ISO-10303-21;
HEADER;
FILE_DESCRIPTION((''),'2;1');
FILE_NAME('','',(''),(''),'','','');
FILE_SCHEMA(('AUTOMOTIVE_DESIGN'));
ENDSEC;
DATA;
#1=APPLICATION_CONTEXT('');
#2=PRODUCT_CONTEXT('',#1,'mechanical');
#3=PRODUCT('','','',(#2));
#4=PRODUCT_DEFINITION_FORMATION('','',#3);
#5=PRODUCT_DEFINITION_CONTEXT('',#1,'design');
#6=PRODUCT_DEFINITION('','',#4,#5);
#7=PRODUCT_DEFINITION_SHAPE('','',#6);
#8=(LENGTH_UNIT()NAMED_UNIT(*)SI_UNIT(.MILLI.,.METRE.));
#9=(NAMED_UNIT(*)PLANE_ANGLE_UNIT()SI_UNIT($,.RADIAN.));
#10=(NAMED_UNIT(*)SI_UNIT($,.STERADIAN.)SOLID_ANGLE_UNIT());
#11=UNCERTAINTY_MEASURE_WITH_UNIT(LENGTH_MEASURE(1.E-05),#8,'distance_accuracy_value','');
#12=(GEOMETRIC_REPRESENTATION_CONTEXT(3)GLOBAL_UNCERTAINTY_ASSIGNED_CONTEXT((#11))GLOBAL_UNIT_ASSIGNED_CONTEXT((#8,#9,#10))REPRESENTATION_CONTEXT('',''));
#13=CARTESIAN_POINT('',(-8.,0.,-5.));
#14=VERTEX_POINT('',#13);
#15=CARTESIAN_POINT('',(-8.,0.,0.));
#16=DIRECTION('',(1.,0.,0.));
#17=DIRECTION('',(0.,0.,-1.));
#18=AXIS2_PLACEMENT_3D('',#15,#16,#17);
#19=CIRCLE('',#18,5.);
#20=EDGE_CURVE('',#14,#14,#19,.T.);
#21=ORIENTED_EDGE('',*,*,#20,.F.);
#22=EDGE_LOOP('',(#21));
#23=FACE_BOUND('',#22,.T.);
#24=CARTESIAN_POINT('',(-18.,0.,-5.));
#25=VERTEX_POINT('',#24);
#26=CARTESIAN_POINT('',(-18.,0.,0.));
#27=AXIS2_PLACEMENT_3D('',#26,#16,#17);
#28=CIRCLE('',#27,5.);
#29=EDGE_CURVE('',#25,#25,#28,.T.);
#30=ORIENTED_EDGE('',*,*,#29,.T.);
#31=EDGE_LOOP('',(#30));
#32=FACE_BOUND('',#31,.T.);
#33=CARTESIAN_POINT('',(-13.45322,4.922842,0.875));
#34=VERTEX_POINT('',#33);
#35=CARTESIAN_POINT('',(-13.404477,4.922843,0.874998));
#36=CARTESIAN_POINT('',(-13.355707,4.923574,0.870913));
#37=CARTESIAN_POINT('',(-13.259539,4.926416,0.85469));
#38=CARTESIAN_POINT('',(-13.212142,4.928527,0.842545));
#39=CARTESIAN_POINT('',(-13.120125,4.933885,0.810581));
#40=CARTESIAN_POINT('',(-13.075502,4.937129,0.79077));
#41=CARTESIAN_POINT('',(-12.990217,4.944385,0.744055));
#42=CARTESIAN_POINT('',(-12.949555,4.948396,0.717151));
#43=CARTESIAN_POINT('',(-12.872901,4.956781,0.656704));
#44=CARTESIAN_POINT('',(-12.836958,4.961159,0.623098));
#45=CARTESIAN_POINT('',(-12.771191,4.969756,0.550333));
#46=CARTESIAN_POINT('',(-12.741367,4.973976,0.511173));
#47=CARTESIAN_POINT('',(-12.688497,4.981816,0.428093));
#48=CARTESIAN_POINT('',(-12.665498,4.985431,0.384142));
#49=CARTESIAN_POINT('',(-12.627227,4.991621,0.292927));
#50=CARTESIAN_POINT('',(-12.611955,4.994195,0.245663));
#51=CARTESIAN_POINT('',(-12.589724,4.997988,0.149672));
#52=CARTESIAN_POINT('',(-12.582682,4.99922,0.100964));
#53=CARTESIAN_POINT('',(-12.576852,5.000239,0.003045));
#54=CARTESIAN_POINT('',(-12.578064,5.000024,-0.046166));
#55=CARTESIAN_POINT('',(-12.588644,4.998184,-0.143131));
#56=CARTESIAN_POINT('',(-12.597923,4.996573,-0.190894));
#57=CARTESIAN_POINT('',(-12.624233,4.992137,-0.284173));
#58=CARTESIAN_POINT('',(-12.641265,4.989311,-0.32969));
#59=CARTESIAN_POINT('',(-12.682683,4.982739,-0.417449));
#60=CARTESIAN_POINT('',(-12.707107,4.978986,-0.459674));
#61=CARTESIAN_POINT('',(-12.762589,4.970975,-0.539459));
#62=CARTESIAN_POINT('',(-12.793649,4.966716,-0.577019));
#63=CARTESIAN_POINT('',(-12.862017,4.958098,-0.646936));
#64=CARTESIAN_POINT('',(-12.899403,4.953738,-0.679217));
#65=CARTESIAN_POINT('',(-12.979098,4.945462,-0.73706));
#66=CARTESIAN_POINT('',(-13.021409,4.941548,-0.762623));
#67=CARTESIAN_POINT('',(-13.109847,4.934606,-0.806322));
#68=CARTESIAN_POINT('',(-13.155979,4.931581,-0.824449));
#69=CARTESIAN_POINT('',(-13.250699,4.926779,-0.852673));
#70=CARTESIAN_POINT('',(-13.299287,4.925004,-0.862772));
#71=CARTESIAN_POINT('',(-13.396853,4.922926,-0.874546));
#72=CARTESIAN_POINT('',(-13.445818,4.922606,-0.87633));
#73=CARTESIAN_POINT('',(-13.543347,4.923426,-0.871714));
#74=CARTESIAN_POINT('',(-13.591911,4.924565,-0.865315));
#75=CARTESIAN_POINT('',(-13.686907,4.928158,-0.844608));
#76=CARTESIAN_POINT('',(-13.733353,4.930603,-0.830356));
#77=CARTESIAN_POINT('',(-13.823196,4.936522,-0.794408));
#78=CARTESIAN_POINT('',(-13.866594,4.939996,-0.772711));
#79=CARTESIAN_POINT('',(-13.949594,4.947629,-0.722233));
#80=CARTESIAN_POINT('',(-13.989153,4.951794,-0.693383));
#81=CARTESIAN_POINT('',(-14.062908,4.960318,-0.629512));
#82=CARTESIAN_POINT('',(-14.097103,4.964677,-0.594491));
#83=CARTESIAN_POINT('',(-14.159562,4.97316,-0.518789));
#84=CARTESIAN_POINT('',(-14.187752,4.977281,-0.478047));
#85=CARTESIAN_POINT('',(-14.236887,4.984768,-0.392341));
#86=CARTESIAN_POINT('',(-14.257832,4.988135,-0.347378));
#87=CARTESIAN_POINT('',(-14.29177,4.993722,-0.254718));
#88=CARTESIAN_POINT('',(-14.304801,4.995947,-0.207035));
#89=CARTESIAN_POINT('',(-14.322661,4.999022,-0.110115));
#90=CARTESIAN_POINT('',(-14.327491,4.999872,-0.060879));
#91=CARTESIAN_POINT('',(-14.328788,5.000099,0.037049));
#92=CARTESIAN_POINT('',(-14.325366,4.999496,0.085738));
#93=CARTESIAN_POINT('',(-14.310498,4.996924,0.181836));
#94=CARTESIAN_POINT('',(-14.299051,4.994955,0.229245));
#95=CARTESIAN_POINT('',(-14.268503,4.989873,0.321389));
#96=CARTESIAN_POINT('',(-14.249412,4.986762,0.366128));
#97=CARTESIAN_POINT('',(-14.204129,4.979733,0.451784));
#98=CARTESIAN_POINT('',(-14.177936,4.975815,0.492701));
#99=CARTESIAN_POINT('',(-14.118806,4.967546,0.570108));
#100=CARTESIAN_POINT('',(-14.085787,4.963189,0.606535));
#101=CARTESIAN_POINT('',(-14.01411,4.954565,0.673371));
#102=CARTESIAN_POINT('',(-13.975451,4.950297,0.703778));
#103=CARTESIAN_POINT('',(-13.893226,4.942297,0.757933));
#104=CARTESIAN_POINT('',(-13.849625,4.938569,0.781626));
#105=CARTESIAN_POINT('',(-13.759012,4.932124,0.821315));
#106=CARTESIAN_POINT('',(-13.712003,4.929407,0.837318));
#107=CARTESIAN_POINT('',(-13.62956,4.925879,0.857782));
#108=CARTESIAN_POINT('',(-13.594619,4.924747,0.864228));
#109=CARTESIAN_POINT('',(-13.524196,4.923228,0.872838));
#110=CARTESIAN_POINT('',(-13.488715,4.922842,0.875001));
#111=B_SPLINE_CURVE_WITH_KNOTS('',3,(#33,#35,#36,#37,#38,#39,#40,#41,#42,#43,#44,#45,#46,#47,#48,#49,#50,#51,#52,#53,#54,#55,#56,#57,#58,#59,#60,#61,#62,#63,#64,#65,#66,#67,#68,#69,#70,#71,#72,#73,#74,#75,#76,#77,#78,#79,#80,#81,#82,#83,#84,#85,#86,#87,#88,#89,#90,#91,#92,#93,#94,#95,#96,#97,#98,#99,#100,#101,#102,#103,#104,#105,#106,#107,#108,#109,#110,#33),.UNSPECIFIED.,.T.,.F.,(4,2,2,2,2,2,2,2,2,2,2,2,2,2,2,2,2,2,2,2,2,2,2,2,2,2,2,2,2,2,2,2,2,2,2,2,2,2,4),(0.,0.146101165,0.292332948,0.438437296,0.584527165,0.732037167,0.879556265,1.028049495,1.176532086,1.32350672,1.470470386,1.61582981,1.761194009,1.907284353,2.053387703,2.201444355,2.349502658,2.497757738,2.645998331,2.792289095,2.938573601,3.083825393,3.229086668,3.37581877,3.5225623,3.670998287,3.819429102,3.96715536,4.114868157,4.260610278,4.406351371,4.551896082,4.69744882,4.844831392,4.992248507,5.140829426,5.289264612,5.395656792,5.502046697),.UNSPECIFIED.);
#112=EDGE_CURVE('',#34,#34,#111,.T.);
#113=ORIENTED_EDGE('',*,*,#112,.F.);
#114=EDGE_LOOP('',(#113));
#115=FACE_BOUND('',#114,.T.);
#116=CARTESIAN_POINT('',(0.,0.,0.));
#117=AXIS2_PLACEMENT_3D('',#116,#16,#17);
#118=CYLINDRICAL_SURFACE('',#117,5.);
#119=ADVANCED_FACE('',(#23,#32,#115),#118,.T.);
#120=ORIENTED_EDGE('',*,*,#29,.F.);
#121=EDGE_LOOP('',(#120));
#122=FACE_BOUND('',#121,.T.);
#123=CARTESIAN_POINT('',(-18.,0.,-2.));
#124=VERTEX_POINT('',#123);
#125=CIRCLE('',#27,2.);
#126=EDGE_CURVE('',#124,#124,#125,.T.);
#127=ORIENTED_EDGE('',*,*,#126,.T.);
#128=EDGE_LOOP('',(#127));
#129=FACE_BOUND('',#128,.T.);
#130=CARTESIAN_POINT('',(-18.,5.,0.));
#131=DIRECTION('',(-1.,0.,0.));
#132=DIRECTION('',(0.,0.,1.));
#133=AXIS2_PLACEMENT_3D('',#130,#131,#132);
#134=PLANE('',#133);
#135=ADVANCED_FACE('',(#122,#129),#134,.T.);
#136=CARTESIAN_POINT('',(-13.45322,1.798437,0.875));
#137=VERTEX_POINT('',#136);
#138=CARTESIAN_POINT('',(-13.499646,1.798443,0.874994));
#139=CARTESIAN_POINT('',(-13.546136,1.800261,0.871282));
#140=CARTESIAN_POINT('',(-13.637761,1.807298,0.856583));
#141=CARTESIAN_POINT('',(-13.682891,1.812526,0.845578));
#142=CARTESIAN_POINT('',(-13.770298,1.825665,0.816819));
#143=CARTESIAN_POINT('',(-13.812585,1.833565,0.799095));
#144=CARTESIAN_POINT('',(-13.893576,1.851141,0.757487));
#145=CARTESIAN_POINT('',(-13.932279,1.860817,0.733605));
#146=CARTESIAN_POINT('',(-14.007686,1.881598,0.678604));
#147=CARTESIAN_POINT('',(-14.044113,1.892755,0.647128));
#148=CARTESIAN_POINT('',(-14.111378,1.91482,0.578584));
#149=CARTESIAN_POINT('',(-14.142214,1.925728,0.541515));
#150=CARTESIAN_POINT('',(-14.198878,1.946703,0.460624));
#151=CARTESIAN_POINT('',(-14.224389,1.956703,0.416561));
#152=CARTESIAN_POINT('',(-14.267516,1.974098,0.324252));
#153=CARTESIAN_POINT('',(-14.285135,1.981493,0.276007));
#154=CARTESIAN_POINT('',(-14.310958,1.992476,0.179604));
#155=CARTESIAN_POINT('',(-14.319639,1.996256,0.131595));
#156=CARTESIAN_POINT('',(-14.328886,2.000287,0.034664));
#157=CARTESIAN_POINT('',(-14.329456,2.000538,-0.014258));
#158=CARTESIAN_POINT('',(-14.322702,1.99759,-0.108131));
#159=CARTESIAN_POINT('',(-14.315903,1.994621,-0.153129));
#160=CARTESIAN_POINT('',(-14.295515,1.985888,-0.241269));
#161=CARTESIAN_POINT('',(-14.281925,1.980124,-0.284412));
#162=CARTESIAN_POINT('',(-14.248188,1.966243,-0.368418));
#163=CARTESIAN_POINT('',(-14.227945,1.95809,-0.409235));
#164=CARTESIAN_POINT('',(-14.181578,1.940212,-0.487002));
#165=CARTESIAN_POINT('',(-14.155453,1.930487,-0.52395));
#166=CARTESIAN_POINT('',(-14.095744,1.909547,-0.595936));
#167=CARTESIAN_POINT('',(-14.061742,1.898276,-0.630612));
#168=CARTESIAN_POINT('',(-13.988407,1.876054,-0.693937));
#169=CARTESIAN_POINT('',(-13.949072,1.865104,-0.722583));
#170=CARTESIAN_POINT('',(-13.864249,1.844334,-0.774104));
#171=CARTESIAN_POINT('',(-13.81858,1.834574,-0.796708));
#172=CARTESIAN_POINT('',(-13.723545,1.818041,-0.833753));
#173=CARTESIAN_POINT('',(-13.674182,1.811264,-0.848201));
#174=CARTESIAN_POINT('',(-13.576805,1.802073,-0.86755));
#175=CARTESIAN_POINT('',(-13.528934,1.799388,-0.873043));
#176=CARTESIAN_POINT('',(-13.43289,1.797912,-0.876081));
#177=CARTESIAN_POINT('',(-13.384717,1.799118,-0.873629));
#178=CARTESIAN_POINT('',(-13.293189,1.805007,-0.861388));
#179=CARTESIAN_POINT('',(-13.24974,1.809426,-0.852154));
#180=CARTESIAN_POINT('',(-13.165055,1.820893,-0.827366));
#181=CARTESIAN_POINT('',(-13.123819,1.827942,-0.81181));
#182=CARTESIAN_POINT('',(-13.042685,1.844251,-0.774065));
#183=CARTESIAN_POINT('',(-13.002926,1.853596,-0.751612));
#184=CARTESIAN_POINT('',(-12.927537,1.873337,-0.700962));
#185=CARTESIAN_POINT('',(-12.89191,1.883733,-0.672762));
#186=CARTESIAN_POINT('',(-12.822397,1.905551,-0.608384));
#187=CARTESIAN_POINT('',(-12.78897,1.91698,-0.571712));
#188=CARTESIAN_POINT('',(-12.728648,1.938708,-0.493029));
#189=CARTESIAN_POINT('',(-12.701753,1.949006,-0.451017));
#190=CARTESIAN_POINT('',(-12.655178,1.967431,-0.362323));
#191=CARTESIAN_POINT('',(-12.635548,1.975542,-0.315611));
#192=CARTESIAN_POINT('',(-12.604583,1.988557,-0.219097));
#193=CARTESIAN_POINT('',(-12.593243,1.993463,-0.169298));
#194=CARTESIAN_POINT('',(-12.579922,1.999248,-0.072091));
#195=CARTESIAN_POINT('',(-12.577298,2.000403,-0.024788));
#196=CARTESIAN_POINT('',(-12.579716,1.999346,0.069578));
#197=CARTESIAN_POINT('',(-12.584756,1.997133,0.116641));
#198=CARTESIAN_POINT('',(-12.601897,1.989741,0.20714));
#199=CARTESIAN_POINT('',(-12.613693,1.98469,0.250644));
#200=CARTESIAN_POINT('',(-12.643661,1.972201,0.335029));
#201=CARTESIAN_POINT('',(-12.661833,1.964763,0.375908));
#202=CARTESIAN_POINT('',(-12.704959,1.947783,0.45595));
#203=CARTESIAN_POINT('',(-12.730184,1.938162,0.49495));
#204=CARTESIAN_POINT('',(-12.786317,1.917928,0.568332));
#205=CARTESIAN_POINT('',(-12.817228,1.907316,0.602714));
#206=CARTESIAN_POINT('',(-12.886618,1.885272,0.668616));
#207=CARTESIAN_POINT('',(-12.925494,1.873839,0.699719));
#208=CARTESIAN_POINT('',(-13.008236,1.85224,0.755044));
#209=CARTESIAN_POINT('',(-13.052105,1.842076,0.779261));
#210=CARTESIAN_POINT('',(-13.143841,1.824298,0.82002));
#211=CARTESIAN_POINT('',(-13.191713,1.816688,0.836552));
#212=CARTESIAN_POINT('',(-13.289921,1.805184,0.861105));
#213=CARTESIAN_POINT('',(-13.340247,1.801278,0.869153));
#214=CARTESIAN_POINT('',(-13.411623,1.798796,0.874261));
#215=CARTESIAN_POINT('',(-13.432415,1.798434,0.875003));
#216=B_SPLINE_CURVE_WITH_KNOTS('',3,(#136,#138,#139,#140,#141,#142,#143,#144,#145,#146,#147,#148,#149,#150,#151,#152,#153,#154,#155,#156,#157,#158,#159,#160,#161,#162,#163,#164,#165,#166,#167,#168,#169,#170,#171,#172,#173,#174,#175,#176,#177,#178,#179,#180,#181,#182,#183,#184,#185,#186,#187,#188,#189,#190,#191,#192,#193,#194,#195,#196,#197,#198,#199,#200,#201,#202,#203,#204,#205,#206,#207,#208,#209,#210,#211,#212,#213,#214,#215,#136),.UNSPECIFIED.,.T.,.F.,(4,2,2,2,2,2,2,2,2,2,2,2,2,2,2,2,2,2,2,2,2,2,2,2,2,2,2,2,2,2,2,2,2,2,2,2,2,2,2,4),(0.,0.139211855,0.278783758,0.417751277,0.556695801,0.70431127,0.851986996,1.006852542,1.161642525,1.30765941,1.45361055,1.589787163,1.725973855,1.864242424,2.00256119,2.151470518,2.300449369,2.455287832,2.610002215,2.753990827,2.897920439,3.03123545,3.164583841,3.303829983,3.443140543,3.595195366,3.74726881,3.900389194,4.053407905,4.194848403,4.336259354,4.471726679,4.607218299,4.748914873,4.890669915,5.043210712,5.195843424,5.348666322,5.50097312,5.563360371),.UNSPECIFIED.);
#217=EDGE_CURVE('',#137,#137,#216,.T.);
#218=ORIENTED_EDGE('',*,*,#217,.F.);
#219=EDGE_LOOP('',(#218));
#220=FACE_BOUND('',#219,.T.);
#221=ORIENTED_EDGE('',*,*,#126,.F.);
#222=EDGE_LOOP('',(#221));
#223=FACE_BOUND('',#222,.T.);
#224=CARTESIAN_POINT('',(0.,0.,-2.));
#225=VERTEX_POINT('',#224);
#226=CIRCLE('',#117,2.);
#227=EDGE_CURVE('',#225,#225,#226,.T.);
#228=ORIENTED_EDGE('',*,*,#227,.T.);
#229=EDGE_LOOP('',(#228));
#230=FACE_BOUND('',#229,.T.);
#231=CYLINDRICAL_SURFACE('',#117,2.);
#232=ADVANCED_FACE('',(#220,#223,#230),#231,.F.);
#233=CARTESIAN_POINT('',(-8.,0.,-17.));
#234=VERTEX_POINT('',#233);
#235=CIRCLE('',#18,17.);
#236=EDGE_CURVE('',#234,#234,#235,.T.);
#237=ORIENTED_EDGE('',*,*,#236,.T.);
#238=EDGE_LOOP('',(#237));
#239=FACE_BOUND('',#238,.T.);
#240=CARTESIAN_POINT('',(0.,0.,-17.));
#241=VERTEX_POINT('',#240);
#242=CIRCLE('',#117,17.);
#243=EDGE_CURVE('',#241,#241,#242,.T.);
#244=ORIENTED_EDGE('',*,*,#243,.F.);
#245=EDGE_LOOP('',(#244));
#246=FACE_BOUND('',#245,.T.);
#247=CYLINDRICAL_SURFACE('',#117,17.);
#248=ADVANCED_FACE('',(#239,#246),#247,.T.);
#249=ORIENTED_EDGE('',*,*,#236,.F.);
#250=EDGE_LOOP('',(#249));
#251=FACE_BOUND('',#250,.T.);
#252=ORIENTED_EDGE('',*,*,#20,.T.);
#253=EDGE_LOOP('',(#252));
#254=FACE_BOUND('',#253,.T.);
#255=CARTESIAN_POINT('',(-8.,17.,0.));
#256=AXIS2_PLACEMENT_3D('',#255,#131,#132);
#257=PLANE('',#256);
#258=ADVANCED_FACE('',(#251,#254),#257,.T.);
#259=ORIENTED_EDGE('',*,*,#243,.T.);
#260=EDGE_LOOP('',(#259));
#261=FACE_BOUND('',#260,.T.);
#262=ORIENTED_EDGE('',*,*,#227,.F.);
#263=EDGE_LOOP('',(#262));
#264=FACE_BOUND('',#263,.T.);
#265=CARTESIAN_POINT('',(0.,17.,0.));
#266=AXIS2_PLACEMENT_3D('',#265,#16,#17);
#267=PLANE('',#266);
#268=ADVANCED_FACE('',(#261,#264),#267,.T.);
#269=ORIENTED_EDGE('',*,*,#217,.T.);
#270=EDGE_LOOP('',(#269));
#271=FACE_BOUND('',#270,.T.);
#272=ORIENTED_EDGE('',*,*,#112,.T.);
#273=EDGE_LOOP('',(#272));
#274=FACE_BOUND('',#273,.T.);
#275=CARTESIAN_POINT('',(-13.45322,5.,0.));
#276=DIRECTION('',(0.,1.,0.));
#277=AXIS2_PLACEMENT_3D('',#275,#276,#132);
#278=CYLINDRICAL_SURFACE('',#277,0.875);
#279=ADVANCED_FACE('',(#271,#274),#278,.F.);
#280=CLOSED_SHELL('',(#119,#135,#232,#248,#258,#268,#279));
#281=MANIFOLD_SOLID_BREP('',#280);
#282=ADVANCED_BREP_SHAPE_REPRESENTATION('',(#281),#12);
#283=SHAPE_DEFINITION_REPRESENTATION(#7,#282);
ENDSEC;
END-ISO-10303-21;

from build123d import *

# Parameters (mm, degrees)
BROCA_DE_ROSQUEAR_PARA_TARRAXA_DE_M2_2X0_REACH = 32.887
BROCA_DE_ROSQUEAR_PARA_TARRAXA_DE_M2_2_R       = 0.875


with BuildPart() as part:
    # Esboço3 → Revolução1 (revolve)
    with BuildSketch(Plane.XY, mode=Mode.PRIVATE) as revolu_o1_sk:
        Polygon((0, 17), (0, 2), (-18, 2), (-18, 5), (-8, 5), (-8, 17), align=None)
    revolve(revolu_o1_sk.sketch.rotate(Axis((0, 0, 0), (-1, 0, 0)), 90), axis=Axis((0, 0, 0), (-1, 0, 0)))

    # Broca de rosquear para tarraxa de M2 2 (on position points) → Broca de rosquear para tarraxa de M2.2x0.451 (cut, up to next)
    with BuildSketch(Plane(origin=(-13.453220178, 5, 0), x_dir=(0, 0, 1), z_dir=(0, 1, 0)), mode=Mode.PRIVATE) as broca_de_rosquear_para_tarraxa_de_m2_2x0_sk1:
        Circle(BROCA_DE_ROSQUEAR_PARA_TARRAXA_DE_M2_2_R)
    broca_de_rosquear_para_tarraxa_de_m2_2x0_tool1 = extrude(broca_de_rosquear_para_tarraxa_de_m2_2x0_sk1.sketch, amount=-BROCA_DE_ROSQUEAR_PARA_TARRAXA_DE_M2_2X0_REACH, mode=Mode.PRIVATE) & part.part
    add(broca_de_rosquear_para_tarraxa_de_m2_2x0_tool1.solids().sort_by_distance((-13.45322, 5, 0))[0], mode=Mode.SUBTRACT)


solid = part.part
